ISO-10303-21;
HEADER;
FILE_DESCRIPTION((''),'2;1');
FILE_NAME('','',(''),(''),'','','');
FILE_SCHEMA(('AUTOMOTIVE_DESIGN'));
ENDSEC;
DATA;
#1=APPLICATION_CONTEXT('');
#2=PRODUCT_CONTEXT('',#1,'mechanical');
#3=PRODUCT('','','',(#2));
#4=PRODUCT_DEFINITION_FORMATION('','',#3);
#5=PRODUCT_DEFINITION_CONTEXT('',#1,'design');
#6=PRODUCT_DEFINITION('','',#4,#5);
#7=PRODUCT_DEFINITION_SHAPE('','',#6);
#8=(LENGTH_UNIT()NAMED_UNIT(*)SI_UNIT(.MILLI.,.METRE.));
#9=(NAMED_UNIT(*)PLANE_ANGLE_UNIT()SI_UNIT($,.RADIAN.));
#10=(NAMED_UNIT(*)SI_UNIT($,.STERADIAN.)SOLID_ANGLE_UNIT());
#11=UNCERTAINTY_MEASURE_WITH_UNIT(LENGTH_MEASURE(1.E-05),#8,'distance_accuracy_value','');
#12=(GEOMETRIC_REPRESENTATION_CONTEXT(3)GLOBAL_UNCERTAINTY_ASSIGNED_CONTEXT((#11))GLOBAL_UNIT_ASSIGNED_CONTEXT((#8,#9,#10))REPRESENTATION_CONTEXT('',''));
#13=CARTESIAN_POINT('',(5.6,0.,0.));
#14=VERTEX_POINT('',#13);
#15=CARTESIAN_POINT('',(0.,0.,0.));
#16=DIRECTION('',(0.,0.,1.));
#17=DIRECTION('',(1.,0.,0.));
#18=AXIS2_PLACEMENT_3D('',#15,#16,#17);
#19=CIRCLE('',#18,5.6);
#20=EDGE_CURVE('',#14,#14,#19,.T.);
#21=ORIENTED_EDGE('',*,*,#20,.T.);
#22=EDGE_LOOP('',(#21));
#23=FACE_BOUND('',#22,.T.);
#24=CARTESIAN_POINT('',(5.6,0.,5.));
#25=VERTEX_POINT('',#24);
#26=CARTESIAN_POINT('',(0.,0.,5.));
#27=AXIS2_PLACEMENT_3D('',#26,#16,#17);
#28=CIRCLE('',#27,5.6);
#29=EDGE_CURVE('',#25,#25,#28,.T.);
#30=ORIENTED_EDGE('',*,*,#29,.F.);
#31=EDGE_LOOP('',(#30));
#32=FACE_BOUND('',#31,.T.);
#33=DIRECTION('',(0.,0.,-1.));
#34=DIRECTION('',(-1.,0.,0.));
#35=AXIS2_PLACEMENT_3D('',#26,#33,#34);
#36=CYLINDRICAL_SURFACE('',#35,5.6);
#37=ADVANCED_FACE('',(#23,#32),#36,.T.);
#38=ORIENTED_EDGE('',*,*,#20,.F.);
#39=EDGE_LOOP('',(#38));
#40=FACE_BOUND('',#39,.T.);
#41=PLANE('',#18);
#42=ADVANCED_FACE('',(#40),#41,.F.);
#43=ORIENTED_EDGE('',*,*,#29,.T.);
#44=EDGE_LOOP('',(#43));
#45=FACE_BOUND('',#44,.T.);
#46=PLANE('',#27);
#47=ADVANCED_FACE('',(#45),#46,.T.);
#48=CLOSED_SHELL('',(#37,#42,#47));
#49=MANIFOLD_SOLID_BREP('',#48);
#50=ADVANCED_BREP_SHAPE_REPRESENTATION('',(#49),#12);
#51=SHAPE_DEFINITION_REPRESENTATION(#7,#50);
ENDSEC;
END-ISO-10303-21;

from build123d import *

# Parameters (mm, degrees)
SKETCH_1_R      = 5.6
EXTRUDE_1_DEPTH = 5


with BuildPart() as part:
    # 草圖1 → 填料-伸長1 (new body)
    with BuildSketch(Plane.XY):
        Circle(SKETCH_1_R)
    extrude(amount=EXTRUDE_1_DEPTH)


solid = part.part
